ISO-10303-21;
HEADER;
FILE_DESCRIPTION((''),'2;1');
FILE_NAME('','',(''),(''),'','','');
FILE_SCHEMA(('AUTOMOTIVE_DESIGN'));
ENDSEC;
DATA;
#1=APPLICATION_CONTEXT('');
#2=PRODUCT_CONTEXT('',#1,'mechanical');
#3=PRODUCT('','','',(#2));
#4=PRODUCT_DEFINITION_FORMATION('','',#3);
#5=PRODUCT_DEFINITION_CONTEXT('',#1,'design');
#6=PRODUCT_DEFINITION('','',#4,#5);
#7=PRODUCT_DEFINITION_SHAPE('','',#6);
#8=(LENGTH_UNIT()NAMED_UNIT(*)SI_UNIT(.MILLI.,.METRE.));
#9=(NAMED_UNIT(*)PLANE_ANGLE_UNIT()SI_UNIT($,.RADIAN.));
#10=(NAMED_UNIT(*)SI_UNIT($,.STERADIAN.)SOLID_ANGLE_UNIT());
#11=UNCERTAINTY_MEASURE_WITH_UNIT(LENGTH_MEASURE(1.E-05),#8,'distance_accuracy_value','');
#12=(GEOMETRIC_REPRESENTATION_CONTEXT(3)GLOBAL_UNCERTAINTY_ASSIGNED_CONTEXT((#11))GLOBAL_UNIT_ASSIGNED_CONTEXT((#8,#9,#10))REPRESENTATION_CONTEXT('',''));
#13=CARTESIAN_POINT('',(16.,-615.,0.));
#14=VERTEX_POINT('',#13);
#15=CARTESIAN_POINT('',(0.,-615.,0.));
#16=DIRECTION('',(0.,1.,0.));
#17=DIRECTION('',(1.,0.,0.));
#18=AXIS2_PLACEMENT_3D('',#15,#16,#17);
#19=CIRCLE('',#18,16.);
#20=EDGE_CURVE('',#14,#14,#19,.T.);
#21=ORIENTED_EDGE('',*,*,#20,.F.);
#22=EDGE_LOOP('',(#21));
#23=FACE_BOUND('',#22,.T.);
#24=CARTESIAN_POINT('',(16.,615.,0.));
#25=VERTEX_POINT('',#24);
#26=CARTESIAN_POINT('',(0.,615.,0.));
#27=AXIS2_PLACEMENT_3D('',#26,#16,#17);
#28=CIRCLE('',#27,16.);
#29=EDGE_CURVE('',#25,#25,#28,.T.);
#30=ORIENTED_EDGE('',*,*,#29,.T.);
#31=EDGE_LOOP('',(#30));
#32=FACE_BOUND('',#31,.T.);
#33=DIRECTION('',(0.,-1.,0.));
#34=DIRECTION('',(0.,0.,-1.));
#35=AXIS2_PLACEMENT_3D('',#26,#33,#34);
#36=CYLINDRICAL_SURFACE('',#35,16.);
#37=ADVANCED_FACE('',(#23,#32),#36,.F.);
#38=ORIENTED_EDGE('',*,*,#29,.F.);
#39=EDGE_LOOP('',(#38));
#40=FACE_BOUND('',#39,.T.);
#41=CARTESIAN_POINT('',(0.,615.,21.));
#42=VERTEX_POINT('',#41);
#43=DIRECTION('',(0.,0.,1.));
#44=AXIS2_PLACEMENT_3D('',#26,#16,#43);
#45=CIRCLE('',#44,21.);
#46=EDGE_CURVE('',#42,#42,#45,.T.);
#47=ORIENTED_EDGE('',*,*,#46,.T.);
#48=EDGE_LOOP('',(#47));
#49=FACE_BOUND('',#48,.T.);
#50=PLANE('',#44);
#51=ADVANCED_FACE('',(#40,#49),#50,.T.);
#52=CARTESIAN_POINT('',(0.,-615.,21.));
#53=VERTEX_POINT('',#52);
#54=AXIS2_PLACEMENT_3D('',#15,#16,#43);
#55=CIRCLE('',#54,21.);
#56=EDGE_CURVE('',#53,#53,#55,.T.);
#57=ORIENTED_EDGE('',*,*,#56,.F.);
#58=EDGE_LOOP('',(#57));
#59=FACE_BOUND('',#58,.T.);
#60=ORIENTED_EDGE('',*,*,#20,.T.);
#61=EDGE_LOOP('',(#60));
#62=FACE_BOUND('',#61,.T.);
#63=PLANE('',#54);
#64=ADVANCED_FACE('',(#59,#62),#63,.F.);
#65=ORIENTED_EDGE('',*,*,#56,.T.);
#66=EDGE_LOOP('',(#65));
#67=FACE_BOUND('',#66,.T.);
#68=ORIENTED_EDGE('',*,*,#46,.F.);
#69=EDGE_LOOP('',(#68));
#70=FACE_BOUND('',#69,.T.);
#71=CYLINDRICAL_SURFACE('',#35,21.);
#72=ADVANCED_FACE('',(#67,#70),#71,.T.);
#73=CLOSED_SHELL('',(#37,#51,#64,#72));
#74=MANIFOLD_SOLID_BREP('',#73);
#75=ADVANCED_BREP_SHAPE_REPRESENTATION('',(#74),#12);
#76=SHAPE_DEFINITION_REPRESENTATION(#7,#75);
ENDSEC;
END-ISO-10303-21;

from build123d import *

# Parameters (mm, degrees)
SKETCH1_R           = 21
SKETCH1_R_2         = 16
EXTRUDE_THIN1_DEPTH = 615


with BuildPart() as part:
    # Sketch1 → Extrude-Thin1 (new, symmetric)
    with BuildSketch(Plane(origin=(0, 0, 0), x_dir=(1, 0, 0), z_dir=(0, 1, 0))):
        Circle(SKETCH1_R)
        Circle(SKETCH1_R_2, mode=Mode.SUBTRACT)
    extrude(amount=EXTRUDE_THIN1_DEPTH, both=True)


solid = part.part
